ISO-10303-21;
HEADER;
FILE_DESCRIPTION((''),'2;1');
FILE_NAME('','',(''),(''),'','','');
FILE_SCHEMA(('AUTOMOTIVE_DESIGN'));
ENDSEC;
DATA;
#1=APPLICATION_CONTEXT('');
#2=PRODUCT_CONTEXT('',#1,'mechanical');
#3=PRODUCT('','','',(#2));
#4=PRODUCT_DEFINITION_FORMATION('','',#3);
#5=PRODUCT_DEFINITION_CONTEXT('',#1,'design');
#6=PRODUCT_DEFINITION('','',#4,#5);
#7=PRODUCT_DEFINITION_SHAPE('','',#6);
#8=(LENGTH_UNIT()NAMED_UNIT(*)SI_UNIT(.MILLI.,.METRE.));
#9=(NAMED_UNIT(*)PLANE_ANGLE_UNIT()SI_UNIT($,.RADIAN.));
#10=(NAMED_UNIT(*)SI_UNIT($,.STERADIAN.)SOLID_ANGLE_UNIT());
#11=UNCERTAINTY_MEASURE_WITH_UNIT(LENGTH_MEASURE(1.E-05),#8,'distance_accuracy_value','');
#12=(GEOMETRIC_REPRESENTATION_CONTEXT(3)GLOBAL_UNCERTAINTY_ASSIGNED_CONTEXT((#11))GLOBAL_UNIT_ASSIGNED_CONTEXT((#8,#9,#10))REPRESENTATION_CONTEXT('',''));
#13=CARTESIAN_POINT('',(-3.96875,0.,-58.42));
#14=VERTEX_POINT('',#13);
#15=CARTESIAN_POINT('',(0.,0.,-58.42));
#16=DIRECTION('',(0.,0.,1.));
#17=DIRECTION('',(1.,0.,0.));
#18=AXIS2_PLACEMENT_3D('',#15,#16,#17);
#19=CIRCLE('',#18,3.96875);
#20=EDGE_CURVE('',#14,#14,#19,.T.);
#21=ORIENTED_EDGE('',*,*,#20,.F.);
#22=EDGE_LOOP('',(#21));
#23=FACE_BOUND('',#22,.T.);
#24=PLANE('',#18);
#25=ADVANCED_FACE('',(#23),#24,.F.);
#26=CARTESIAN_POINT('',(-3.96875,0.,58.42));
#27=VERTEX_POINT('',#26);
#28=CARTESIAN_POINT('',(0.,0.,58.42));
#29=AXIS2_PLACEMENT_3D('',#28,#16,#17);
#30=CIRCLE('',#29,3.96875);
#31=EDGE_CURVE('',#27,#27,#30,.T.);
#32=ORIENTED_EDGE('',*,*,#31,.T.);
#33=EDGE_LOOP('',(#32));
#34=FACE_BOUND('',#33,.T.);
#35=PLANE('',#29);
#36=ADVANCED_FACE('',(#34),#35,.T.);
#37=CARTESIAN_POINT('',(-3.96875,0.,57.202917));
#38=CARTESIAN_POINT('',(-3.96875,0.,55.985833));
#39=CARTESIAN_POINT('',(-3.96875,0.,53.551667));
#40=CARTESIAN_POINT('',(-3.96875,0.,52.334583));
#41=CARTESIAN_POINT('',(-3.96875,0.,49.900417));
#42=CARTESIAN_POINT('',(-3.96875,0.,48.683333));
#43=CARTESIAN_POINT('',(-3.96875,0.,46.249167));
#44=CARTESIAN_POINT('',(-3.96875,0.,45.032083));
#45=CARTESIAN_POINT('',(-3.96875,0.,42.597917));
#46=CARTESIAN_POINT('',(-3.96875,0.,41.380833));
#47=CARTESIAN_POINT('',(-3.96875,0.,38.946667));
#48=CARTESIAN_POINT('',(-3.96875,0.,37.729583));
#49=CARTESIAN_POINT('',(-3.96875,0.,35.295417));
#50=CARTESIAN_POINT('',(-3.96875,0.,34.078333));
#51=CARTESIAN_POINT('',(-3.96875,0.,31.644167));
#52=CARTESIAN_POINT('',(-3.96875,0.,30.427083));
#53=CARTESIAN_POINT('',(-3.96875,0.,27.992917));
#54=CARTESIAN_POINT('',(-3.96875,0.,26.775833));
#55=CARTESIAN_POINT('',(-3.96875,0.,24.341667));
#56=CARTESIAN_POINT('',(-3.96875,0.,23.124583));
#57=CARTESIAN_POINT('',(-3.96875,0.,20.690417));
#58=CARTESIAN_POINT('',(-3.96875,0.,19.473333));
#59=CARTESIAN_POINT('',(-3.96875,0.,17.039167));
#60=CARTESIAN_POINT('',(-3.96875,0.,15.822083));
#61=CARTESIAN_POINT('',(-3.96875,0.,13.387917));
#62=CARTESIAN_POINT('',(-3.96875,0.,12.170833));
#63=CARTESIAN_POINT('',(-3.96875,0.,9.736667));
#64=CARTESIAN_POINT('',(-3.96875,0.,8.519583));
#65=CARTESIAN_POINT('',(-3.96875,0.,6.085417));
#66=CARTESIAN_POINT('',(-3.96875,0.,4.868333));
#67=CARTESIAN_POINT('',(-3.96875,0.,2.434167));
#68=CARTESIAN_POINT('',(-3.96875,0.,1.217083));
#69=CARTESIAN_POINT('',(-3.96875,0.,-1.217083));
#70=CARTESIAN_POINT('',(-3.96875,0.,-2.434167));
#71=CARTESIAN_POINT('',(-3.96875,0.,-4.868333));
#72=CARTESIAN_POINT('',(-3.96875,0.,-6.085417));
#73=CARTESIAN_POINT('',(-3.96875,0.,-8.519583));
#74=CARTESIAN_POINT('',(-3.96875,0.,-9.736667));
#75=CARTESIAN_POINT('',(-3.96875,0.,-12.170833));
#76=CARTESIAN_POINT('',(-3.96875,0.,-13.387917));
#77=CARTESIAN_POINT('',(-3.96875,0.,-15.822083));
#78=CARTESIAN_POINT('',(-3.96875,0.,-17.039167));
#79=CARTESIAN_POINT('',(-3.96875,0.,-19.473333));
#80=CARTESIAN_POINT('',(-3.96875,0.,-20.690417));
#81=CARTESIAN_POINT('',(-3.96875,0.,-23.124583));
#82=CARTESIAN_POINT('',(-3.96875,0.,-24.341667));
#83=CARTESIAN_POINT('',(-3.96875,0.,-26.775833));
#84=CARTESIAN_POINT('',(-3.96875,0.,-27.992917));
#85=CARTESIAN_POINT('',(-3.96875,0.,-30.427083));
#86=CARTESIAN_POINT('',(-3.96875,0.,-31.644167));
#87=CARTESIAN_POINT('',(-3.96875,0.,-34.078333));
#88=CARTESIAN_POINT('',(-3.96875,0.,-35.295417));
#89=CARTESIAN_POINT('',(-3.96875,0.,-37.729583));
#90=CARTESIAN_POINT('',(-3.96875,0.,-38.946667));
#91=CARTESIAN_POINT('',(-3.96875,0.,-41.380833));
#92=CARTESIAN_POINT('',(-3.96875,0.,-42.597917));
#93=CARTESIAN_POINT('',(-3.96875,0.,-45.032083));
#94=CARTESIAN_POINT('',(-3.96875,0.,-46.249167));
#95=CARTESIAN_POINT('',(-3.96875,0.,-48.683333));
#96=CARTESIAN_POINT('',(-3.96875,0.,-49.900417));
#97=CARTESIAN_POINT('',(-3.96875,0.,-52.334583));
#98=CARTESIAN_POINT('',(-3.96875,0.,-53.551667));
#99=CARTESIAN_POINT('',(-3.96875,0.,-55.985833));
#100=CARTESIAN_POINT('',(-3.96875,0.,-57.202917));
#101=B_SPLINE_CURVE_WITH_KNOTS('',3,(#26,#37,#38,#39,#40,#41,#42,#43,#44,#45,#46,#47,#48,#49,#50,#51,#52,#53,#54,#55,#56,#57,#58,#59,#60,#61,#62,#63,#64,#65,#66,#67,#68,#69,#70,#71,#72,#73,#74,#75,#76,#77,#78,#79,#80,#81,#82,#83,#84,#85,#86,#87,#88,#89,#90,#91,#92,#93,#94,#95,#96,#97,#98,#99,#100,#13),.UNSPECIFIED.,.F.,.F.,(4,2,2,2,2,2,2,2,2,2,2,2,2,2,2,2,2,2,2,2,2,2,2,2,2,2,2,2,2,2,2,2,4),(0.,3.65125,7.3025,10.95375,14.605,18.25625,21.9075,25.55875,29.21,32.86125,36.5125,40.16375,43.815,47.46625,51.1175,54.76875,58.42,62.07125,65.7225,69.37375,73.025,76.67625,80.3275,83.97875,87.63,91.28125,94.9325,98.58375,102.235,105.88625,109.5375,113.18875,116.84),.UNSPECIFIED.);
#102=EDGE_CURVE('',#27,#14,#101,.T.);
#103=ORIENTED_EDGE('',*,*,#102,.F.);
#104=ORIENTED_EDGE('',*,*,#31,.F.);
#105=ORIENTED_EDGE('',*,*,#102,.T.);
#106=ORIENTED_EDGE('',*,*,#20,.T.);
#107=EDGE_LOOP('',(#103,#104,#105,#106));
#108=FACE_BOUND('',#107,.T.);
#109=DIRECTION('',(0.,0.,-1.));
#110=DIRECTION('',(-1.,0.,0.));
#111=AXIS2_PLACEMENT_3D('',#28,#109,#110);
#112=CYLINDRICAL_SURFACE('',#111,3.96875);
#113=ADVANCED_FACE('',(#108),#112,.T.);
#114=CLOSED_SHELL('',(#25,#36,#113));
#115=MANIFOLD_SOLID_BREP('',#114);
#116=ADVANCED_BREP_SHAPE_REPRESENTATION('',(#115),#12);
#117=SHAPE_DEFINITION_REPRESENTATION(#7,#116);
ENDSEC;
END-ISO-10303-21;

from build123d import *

# Parameters (mm, degrees)
SKETCH1_R      = 3.96875
EXTRUDE1_DEPTH = 58.42


with BuildPart() as part:
    # Sketch1 → Extrude1 (new, symmetric)
    with BuildSketch(Plane.XY):
        with Locations(Location((0, 0, 0), (0, 0, 180))):
            Circle(SKETCH1_R)
    extrude(amount=EXTRUDE1_DEPTH, both=True)


solid = part.part
